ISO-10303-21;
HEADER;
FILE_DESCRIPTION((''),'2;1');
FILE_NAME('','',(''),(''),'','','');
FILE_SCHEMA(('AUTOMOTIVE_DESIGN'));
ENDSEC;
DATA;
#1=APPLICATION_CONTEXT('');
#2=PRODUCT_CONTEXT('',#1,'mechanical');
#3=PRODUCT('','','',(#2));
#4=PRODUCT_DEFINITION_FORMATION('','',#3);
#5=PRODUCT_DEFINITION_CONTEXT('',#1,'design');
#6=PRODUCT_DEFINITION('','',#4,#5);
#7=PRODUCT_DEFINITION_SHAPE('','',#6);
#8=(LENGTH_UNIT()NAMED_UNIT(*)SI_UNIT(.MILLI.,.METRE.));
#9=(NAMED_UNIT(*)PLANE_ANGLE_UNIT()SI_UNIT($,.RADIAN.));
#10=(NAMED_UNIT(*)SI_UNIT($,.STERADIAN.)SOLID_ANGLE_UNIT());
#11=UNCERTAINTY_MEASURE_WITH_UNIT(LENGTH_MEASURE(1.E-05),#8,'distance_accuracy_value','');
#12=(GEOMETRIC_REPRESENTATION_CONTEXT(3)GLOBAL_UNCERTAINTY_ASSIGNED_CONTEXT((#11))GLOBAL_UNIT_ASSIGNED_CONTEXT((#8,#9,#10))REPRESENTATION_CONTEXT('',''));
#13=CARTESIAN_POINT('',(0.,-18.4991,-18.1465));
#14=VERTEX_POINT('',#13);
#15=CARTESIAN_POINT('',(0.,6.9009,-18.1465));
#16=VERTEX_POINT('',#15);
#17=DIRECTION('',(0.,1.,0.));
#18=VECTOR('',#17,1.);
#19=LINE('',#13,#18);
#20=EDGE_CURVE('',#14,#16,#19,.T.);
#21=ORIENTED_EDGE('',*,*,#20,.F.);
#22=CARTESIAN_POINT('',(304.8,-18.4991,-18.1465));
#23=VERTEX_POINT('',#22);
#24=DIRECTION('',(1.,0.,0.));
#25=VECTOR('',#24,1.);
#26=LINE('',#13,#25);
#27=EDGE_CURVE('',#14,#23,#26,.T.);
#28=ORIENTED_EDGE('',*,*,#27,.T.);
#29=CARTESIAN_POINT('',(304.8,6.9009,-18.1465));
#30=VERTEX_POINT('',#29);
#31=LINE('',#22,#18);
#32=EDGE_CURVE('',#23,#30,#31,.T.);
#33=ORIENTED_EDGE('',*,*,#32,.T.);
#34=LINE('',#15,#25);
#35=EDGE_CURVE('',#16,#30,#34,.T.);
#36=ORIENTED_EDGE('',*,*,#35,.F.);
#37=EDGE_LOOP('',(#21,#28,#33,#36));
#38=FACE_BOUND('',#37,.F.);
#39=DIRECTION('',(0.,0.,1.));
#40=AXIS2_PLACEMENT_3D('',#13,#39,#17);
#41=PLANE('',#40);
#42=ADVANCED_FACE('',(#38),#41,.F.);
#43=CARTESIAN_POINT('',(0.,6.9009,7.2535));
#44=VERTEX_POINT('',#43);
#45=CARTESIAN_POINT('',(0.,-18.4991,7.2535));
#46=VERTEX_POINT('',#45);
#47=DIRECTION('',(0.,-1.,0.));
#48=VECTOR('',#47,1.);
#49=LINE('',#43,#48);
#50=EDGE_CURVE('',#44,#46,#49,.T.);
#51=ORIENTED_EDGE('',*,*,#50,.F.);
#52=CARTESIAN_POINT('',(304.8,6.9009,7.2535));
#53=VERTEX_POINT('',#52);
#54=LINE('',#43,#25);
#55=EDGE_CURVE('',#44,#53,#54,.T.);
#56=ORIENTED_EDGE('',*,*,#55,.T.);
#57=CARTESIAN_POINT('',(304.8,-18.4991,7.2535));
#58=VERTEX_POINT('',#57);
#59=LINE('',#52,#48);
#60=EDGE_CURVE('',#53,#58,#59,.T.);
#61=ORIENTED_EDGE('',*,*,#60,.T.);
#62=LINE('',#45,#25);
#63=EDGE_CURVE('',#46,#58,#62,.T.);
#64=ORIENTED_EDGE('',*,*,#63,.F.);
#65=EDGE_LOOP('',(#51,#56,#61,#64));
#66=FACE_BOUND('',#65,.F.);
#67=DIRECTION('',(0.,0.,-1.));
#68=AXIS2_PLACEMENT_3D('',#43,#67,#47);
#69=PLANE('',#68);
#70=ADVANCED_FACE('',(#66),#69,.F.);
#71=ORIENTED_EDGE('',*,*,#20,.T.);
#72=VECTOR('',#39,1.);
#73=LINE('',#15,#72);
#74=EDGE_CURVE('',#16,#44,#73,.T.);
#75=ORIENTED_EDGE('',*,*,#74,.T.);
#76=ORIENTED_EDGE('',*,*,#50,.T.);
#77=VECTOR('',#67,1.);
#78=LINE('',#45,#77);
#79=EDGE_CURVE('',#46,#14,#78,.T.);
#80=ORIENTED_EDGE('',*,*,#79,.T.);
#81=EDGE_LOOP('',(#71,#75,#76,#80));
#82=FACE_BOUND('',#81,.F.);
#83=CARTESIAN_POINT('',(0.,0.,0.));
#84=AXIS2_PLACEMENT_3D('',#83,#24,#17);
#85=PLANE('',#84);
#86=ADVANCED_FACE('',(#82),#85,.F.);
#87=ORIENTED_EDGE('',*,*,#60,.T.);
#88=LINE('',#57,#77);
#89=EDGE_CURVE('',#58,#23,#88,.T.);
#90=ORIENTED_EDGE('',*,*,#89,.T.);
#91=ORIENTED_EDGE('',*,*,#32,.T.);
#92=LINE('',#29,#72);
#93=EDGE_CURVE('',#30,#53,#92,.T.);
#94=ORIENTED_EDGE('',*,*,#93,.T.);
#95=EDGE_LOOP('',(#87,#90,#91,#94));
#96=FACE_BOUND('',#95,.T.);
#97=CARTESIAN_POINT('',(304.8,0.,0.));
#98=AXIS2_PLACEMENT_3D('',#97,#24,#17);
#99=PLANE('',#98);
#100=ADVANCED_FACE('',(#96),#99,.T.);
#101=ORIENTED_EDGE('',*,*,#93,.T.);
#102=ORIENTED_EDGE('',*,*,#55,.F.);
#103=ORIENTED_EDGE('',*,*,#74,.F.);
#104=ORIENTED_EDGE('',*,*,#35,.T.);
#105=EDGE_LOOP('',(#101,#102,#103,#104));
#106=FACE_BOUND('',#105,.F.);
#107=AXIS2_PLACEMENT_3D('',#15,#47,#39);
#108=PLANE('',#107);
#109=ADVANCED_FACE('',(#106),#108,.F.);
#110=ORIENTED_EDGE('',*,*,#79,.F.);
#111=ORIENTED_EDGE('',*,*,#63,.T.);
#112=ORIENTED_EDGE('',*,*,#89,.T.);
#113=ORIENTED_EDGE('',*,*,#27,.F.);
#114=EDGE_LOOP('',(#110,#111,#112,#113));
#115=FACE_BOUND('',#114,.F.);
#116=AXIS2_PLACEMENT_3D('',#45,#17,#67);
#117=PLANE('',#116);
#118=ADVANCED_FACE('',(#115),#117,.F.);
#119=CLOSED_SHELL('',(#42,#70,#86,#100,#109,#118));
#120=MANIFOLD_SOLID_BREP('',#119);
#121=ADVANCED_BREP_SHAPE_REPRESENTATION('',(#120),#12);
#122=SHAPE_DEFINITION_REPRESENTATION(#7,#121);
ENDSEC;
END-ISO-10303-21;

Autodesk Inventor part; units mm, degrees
ref_plane "YZ Plane" through (0, 0, 0) normal (1, 0, 0) x (0, 1, 0)
ref_plane "XZ Plane" through (0, 0, 0) normal (0, 1, 0) x (-1, 0, 0)
ref_plane "XY Plane" through (0, 0, 0) normal (0, 0, 1) x (1, 0, 0)
sketch "Sketch1" plane through (0, 0, 0) normal (1, 0, 0) x (0, 1, 0)
  line L0 (6.9009, 7.2535) -> (-18.4991, 7.2535)
  line L1 (-18.4991, 7.2535) -> (-18.4991, -18.1465)
  line L2 (-18.4991, -18.1465) -> (6.9009, -18.1465)
  line L3 (6.9009, -18.1465) -> (6.9009, 7.2535)
  point P0 (0, 0)
  dimension "d0" = 25.4
  dimension "d1" = 25.4
extrude "Extrusion1" add sketch "Sketch1" along normal blind 304.8
properties part number "1x1 Beam Test"
